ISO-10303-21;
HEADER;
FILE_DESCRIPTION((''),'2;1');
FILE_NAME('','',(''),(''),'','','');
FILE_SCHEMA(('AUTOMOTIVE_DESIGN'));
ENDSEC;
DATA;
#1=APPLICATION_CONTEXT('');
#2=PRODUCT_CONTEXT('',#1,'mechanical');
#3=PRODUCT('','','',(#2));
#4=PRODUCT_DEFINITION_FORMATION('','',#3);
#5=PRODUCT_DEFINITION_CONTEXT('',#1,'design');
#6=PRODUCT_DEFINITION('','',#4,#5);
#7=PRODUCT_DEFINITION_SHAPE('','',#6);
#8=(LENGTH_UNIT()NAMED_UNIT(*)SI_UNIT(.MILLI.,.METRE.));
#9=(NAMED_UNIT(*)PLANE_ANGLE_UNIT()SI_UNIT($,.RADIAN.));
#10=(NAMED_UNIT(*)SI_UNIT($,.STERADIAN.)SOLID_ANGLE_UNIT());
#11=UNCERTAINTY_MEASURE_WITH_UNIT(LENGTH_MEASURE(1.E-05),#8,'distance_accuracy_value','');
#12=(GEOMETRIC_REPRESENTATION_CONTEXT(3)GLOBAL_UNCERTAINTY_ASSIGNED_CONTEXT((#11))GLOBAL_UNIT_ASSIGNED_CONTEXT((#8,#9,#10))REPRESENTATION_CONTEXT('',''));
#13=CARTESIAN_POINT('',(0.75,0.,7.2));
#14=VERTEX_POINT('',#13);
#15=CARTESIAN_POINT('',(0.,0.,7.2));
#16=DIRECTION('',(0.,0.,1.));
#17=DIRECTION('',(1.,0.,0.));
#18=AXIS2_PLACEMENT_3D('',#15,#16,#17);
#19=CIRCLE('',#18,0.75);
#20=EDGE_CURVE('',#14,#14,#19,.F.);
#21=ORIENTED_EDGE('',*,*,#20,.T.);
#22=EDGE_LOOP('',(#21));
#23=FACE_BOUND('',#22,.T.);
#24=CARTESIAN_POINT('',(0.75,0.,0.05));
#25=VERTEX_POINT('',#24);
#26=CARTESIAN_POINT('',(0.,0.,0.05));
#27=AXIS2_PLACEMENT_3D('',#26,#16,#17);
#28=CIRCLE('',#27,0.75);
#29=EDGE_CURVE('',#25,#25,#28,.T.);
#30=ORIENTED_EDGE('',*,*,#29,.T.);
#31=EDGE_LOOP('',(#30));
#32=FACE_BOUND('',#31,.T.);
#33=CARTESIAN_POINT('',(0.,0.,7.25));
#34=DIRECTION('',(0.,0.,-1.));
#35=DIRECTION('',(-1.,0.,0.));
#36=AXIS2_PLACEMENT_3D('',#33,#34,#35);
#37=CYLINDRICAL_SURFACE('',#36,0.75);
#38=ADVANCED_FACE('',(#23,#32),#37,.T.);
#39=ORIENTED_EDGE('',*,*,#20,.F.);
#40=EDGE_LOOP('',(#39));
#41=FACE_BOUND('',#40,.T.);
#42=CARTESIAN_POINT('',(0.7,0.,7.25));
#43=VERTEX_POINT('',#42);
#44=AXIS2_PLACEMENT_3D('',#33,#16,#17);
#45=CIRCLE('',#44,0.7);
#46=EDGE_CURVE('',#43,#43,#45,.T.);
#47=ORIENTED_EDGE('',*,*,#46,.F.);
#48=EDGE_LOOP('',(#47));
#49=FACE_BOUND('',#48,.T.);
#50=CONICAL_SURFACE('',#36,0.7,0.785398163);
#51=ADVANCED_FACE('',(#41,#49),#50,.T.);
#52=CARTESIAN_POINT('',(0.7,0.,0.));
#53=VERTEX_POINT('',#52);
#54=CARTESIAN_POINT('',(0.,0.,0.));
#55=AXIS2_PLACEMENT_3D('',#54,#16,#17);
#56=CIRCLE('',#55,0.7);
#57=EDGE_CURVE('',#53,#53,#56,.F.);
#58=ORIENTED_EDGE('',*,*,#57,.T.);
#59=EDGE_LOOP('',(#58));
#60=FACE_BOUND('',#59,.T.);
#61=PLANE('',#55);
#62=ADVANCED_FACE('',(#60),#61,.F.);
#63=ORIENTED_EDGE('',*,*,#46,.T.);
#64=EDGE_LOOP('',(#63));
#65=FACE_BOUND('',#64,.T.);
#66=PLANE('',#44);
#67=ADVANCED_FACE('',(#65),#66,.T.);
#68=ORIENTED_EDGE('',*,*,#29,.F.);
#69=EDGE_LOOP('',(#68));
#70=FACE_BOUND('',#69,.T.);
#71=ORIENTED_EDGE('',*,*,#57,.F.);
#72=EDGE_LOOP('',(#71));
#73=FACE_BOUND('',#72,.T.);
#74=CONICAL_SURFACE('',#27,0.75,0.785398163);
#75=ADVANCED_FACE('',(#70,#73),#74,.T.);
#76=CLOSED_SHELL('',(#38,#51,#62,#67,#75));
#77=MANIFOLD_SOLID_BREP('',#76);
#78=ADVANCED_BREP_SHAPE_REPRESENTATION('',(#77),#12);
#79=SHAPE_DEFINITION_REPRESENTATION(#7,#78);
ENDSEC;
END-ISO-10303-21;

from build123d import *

# Parameters (mm, degrees)
SKETCH1_R           = 0.75
BOSS_EXTRUDE1_DEPTH = 7.25
CHAMFER1_SIZE       = 0.05


with BuildPart() as part:
    # Sketch1 → Boss-Extrude1 (new body)
    with BuildSketch(Plane.XY):
        Circle(SKETCH1_R)
    extrude(amount=BOSS_EXTRUDE1_DEPTH)

    # Chamfer1
    chamfer1_edges = [part.edges().sort_by_distance(p)[0] for p in [
        (-0.75, 0, 0),
        (-0.75, 0, 7.25),
    ]]
    chamfer(chamfer1_edges, length=CHAMFER1_SIZE)


solid = part.part
